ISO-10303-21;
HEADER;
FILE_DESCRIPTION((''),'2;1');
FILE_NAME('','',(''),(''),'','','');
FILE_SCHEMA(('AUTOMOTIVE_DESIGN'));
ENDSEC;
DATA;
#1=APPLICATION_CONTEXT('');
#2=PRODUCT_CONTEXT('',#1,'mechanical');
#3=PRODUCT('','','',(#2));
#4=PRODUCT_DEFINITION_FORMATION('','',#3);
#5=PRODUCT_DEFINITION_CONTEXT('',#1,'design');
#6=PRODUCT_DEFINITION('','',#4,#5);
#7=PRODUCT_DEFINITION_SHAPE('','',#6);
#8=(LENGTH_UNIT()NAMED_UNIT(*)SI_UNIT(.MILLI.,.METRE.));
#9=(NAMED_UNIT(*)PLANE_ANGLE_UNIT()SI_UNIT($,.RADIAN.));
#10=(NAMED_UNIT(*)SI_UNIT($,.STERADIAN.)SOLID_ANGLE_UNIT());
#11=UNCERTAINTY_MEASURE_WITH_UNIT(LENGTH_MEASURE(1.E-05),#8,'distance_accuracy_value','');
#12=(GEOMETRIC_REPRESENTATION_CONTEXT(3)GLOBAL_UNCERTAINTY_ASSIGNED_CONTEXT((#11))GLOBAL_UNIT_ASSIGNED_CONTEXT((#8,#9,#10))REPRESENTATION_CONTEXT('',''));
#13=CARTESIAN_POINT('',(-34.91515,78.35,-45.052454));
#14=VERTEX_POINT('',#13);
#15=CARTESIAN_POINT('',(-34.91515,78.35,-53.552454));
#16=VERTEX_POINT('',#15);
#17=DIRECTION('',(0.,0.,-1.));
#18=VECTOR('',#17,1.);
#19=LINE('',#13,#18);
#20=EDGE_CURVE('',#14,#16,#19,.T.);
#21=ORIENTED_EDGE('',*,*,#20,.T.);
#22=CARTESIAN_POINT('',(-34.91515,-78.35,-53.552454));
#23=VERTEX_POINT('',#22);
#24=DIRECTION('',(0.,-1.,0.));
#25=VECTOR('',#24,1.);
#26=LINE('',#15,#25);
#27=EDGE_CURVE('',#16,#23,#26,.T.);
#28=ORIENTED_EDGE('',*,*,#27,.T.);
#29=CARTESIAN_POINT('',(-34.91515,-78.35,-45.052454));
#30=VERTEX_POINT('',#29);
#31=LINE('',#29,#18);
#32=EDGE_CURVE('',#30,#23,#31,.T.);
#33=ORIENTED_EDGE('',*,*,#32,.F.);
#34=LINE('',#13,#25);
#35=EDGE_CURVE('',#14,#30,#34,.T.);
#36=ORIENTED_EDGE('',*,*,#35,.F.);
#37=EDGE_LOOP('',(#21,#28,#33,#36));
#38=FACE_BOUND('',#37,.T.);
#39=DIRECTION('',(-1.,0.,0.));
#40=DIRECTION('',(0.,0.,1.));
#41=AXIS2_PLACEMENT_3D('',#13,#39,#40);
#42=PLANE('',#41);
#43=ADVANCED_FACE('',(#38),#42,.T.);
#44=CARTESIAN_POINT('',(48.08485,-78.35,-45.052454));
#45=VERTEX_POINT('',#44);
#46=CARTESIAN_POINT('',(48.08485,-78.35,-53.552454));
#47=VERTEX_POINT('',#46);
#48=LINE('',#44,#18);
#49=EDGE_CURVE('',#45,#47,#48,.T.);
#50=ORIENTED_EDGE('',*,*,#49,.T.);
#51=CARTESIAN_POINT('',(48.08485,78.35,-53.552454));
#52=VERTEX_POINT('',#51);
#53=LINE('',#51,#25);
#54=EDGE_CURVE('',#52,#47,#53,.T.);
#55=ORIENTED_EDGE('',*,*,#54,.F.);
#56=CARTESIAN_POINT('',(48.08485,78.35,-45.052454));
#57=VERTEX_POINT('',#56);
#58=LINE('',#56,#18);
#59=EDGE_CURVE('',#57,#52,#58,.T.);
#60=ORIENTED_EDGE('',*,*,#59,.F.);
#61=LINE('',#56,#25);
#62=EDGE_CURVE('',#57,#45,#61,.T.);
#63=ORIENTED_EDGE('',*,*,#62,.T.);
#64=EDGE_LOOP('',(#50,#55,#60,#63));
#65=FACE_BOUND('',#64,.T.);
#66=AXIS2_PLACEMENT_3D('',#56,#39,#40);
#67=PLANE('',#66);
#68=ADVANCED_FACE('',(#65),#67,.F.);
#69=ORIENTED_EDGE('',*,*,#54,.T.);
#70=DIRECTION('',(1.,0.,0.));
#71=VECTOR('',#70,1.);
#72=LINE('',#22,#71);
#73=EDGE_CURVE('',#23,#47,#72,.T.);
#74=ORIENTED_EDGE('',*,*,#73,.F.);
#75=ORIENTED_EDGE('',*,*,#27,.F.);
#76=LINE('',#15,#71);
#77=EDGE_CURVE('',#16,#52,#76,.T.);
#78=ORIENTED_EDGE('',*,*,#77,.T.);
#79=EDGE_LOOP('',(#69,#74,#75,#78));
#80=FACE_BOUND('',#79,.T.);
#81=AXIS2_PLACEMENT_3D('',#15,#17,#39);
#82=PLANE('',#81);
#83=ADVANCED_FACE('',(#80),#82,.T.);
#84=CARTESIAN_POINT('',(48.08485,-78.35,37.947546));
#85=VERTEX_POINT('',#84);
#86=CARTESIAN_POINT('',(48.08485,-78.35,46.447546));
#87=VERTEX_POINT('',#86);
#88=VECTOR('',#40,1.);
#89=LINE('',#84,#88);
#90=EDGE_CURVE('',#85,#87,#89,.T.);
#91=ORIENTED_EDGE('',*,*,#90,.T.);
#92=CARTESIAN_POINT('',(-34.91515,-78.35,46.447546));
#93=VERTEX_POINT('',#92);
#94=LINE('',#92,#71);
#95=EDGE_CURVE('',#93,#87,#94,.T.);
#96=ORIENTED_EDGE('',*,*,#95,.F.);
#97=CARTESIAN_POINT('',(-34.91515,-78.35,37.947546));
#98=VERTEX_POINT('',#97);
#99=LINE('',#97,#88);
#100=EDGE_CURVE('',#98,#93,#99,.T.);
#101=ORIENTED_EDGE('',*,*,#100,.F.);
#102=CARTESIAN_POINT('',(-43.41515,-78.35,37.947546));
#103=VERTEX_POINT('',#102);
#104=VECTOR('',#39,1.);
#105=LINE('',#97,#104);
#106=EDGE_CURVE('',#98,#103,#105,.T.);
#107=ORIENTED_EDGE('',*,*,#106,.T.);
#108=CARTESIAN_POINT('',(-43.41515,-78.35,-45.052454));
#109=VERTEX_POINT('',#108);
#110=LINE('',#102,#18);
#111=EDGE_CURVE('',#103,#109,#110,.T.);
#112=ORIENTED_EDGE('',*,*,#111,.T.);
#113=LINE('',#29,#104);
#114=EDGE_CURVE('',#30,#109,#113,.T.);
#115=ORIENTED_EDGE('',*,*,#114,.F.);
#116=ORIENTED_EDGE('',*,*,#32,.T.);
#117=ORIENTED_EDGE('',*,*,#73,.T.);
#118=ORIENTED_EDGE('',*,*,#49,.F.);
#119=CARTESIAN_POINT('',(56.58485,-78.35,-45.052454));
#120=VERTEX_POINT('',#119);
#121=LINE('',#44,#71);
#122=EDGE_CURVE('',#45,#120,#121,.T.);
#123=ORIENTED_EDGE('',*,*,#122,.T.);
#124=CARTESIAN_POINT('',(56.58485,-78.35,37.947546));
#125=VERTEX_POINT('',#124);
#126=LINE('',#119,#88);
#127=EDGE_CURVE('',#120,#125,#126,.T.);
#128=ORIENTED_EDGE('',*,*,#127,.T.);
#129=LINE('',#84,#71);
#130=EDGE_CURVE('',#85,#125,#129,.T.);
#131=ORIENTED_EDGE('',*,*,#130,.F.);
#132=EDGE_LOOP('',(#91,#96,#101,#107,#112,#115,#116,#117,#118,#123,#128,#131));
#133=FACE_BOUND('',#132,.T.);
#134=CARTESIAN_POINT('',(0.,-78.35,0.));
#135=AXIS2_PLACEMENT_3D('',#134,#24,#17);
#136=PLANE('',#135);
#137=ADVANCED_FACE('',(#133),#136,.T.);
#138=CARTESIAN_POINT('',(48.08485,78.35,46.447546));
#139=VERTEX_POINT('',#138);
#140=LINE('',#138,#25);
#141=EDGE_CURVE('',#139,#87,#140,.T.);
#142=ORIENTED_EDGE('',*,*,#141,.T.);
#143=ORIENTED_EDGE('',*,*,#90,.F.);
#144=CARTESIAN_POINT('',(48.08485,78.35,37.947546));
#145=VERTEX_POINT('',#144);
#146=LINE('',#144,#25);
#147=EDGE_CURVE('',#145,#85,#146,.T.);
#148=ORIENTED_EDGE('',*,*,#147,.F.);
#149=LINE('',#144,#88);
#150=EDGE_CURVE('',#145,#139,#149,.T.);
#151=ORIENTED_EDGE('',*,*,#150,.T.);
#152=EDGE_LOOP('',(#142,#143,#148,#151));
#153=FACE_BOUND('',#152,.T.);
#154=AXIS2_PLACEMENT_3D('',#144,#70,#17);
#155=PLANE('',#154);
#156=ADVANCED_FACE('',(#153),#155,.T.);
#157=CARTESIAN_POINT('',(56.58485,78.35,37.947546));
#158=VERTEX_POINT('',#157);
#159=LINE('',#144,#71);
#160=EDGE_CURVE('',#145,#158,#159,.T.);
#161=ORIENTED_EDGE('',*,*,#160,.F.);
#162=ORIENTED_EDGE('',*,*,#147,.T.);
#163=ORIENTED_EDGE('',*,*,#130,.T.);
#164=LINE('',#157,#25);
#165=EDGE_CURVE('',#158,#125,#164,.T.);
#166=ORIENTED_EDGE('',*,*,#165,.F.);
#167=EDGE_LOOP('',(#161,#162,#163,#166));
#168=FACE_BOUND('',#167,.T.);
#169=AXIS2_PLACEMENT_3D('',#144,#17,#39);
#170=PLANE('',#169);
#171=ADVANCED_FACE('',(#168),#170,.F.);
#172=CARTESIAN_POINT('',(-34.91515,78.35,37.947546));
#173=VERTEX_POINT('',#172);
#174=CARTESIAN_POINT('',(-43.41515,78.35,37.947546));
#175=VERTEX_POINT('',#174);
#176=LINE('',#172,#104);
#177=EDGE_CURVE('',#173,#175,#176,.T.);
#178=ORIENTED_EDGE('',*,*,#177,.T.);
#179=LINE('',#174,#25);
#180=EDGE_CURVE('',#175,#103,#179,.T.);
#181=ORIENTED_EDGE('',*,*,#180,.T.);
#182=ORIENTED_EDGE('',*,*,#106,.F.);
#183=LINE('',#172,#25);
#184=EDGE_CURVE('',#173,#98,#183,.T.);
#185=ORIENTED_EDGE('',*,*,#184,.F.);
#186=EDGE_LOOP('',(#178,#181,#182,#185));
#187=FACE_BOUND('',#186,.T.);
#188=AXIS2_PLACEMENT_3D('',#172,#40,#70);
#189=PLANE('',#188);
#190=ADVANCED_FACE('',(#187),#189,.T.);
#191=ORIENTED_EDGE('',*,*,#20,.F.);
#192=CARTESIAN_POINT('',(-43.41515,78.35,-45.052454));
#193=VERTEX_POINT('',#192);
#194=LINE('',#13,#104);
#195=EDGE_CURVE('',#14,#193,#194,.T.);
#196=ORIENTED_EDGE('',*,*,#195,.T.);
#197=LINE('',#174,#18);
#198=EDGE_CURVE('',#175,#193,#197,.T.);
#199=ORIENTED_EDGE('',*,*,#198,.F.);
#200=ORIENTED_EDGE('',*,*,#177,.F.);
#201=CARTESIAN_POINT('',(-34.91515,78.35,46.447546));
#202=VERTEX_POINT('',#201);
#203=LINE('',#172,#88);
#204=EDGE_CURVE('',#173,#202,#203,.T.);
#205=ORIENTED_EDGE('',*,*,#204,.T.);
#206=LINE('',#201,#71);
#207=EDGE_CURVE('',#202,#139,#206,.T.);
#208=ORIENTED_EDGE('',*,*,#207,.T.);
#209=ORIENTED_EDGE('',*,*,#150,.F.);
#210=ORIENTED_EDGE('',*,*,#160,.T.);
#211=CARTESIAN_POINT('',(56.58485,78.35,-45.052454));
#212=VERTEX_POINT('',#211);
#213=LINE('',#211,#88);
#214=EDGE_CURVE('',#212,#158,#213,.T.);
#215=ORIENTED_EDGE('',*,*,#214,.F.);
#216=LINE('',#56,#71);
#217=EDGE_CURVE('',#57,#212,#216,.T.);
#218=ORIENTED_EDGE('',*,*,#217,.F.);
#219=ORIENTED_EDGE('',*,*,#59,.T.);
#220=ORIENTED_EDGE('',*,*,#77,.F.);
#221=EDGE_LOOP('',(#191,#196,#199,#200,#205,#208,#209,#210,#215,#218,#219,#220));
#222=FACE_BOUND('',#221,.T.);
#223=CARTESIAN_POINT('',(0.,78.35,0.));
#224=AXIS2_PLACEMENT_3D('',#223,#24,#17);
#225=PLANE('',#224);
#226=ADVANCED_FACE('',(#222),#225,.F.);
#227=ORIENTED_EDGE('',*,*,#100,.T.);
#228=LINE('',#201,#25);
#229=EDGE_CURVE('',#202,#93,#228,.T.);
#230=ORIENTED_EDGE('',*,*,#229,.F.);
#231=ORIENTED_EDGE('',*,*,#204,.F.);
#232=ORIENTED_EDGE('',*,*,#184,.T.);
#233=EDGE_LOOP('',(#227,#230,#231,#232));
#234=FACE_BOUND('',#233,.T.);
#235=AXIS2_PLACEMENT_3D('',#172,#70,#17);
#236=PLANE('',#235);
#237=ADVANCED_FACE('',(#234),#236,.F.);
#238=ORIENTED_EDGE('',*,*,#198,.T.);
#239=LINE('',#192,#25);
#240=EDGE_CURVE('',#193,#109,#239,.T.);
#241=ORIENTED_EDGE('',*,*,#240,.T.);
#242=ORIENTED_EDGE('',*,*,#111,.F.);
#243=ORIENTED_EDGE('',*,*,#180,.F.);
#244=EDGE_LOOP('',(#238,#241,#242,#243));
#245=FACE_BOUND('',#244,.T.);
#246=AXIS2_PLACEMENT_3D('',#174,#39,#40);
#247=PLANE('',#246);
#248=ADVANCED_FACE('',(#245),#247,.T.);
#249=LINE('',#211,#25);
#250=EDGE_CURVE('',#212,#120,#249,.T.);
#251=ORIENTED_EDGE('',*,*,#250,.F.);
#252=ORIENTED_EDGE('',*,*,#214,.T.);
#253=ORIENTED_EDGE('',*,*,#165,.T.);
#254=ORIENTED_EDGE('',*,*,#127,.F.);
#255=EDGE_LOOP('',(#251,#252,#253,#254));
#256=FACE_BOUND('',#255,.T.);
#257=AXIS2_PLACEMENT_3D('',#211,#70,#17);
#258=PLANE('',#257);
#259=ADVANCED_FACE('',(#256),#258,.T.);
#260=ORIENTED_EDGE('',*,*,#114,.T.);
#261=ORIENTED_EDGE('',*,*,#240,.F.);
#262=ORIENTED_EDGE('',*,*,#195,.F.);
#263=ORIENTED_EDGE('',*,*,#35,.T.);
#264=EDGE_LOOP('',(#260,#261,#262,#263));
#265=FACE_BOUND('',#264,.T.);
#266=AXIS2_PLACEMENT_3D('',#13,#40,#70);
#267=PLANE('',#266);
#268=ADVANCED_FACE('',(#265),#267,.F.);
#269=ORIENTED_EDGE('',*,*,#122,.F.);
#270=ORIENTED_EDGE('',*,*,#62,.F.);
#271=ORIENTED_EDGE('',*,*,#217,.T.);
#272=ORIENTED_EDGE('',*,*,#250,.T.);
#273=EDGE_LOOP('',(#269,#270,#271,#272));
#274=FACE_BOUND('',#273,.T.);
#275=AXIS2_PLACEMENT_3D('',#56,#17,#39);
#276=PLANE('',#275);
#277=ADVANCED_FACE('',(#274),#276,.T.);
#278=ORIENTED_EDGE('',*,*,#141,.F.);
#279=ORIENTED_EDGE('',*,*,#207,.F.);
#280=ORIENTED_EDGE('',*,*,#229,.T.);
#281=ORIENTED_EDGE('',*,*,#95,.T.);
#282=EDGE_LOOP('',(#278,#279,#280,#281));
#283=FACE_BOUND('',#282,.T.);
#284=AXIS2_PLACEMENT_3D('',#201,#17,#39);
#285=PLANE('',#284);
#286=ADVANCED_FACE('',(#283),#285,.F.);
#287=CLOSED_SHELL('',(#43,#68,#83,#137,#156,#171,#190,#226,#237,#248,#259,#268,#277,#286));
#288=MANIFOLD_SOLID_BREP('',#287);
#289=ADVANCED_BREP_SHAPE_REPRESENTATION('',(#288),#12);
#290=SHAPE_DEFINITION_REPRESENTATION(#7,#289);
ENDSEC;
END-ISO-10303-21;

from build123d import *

# Parameters (mm, degrees)
BOSS_EXTRUDE1_DEPTH = 78.35


with BuildPart() as part:
    # Sketch1 → Boss-Extrude1 (new, symmetric)
    with BuildSketch(Plane(origin=(0, 0, 0), x_dir=(1, 0, 0), z_dir=(0, 1, 0))):
        Polygon((-34.915150203, 45.052454133), (-34.915150203, 53.552454133), (48.084849797, 53.552454133), (48.084849797, 45.052454133), (56.584849797, 45.052454133), (56.584849797, -37.947545867), (48.084849797, -37.947545867), (48.084849797, -46.447545867), (-34.915150203, -46.447545867), (-34.915150203, -37.947545867), (-43.415150203, -37.947545867), (-43.415150203, 45.052454133), align=None)
    extrude(amount=BOSS_EXTRUDE1_DEPTH, both=True)


solid = part.part
